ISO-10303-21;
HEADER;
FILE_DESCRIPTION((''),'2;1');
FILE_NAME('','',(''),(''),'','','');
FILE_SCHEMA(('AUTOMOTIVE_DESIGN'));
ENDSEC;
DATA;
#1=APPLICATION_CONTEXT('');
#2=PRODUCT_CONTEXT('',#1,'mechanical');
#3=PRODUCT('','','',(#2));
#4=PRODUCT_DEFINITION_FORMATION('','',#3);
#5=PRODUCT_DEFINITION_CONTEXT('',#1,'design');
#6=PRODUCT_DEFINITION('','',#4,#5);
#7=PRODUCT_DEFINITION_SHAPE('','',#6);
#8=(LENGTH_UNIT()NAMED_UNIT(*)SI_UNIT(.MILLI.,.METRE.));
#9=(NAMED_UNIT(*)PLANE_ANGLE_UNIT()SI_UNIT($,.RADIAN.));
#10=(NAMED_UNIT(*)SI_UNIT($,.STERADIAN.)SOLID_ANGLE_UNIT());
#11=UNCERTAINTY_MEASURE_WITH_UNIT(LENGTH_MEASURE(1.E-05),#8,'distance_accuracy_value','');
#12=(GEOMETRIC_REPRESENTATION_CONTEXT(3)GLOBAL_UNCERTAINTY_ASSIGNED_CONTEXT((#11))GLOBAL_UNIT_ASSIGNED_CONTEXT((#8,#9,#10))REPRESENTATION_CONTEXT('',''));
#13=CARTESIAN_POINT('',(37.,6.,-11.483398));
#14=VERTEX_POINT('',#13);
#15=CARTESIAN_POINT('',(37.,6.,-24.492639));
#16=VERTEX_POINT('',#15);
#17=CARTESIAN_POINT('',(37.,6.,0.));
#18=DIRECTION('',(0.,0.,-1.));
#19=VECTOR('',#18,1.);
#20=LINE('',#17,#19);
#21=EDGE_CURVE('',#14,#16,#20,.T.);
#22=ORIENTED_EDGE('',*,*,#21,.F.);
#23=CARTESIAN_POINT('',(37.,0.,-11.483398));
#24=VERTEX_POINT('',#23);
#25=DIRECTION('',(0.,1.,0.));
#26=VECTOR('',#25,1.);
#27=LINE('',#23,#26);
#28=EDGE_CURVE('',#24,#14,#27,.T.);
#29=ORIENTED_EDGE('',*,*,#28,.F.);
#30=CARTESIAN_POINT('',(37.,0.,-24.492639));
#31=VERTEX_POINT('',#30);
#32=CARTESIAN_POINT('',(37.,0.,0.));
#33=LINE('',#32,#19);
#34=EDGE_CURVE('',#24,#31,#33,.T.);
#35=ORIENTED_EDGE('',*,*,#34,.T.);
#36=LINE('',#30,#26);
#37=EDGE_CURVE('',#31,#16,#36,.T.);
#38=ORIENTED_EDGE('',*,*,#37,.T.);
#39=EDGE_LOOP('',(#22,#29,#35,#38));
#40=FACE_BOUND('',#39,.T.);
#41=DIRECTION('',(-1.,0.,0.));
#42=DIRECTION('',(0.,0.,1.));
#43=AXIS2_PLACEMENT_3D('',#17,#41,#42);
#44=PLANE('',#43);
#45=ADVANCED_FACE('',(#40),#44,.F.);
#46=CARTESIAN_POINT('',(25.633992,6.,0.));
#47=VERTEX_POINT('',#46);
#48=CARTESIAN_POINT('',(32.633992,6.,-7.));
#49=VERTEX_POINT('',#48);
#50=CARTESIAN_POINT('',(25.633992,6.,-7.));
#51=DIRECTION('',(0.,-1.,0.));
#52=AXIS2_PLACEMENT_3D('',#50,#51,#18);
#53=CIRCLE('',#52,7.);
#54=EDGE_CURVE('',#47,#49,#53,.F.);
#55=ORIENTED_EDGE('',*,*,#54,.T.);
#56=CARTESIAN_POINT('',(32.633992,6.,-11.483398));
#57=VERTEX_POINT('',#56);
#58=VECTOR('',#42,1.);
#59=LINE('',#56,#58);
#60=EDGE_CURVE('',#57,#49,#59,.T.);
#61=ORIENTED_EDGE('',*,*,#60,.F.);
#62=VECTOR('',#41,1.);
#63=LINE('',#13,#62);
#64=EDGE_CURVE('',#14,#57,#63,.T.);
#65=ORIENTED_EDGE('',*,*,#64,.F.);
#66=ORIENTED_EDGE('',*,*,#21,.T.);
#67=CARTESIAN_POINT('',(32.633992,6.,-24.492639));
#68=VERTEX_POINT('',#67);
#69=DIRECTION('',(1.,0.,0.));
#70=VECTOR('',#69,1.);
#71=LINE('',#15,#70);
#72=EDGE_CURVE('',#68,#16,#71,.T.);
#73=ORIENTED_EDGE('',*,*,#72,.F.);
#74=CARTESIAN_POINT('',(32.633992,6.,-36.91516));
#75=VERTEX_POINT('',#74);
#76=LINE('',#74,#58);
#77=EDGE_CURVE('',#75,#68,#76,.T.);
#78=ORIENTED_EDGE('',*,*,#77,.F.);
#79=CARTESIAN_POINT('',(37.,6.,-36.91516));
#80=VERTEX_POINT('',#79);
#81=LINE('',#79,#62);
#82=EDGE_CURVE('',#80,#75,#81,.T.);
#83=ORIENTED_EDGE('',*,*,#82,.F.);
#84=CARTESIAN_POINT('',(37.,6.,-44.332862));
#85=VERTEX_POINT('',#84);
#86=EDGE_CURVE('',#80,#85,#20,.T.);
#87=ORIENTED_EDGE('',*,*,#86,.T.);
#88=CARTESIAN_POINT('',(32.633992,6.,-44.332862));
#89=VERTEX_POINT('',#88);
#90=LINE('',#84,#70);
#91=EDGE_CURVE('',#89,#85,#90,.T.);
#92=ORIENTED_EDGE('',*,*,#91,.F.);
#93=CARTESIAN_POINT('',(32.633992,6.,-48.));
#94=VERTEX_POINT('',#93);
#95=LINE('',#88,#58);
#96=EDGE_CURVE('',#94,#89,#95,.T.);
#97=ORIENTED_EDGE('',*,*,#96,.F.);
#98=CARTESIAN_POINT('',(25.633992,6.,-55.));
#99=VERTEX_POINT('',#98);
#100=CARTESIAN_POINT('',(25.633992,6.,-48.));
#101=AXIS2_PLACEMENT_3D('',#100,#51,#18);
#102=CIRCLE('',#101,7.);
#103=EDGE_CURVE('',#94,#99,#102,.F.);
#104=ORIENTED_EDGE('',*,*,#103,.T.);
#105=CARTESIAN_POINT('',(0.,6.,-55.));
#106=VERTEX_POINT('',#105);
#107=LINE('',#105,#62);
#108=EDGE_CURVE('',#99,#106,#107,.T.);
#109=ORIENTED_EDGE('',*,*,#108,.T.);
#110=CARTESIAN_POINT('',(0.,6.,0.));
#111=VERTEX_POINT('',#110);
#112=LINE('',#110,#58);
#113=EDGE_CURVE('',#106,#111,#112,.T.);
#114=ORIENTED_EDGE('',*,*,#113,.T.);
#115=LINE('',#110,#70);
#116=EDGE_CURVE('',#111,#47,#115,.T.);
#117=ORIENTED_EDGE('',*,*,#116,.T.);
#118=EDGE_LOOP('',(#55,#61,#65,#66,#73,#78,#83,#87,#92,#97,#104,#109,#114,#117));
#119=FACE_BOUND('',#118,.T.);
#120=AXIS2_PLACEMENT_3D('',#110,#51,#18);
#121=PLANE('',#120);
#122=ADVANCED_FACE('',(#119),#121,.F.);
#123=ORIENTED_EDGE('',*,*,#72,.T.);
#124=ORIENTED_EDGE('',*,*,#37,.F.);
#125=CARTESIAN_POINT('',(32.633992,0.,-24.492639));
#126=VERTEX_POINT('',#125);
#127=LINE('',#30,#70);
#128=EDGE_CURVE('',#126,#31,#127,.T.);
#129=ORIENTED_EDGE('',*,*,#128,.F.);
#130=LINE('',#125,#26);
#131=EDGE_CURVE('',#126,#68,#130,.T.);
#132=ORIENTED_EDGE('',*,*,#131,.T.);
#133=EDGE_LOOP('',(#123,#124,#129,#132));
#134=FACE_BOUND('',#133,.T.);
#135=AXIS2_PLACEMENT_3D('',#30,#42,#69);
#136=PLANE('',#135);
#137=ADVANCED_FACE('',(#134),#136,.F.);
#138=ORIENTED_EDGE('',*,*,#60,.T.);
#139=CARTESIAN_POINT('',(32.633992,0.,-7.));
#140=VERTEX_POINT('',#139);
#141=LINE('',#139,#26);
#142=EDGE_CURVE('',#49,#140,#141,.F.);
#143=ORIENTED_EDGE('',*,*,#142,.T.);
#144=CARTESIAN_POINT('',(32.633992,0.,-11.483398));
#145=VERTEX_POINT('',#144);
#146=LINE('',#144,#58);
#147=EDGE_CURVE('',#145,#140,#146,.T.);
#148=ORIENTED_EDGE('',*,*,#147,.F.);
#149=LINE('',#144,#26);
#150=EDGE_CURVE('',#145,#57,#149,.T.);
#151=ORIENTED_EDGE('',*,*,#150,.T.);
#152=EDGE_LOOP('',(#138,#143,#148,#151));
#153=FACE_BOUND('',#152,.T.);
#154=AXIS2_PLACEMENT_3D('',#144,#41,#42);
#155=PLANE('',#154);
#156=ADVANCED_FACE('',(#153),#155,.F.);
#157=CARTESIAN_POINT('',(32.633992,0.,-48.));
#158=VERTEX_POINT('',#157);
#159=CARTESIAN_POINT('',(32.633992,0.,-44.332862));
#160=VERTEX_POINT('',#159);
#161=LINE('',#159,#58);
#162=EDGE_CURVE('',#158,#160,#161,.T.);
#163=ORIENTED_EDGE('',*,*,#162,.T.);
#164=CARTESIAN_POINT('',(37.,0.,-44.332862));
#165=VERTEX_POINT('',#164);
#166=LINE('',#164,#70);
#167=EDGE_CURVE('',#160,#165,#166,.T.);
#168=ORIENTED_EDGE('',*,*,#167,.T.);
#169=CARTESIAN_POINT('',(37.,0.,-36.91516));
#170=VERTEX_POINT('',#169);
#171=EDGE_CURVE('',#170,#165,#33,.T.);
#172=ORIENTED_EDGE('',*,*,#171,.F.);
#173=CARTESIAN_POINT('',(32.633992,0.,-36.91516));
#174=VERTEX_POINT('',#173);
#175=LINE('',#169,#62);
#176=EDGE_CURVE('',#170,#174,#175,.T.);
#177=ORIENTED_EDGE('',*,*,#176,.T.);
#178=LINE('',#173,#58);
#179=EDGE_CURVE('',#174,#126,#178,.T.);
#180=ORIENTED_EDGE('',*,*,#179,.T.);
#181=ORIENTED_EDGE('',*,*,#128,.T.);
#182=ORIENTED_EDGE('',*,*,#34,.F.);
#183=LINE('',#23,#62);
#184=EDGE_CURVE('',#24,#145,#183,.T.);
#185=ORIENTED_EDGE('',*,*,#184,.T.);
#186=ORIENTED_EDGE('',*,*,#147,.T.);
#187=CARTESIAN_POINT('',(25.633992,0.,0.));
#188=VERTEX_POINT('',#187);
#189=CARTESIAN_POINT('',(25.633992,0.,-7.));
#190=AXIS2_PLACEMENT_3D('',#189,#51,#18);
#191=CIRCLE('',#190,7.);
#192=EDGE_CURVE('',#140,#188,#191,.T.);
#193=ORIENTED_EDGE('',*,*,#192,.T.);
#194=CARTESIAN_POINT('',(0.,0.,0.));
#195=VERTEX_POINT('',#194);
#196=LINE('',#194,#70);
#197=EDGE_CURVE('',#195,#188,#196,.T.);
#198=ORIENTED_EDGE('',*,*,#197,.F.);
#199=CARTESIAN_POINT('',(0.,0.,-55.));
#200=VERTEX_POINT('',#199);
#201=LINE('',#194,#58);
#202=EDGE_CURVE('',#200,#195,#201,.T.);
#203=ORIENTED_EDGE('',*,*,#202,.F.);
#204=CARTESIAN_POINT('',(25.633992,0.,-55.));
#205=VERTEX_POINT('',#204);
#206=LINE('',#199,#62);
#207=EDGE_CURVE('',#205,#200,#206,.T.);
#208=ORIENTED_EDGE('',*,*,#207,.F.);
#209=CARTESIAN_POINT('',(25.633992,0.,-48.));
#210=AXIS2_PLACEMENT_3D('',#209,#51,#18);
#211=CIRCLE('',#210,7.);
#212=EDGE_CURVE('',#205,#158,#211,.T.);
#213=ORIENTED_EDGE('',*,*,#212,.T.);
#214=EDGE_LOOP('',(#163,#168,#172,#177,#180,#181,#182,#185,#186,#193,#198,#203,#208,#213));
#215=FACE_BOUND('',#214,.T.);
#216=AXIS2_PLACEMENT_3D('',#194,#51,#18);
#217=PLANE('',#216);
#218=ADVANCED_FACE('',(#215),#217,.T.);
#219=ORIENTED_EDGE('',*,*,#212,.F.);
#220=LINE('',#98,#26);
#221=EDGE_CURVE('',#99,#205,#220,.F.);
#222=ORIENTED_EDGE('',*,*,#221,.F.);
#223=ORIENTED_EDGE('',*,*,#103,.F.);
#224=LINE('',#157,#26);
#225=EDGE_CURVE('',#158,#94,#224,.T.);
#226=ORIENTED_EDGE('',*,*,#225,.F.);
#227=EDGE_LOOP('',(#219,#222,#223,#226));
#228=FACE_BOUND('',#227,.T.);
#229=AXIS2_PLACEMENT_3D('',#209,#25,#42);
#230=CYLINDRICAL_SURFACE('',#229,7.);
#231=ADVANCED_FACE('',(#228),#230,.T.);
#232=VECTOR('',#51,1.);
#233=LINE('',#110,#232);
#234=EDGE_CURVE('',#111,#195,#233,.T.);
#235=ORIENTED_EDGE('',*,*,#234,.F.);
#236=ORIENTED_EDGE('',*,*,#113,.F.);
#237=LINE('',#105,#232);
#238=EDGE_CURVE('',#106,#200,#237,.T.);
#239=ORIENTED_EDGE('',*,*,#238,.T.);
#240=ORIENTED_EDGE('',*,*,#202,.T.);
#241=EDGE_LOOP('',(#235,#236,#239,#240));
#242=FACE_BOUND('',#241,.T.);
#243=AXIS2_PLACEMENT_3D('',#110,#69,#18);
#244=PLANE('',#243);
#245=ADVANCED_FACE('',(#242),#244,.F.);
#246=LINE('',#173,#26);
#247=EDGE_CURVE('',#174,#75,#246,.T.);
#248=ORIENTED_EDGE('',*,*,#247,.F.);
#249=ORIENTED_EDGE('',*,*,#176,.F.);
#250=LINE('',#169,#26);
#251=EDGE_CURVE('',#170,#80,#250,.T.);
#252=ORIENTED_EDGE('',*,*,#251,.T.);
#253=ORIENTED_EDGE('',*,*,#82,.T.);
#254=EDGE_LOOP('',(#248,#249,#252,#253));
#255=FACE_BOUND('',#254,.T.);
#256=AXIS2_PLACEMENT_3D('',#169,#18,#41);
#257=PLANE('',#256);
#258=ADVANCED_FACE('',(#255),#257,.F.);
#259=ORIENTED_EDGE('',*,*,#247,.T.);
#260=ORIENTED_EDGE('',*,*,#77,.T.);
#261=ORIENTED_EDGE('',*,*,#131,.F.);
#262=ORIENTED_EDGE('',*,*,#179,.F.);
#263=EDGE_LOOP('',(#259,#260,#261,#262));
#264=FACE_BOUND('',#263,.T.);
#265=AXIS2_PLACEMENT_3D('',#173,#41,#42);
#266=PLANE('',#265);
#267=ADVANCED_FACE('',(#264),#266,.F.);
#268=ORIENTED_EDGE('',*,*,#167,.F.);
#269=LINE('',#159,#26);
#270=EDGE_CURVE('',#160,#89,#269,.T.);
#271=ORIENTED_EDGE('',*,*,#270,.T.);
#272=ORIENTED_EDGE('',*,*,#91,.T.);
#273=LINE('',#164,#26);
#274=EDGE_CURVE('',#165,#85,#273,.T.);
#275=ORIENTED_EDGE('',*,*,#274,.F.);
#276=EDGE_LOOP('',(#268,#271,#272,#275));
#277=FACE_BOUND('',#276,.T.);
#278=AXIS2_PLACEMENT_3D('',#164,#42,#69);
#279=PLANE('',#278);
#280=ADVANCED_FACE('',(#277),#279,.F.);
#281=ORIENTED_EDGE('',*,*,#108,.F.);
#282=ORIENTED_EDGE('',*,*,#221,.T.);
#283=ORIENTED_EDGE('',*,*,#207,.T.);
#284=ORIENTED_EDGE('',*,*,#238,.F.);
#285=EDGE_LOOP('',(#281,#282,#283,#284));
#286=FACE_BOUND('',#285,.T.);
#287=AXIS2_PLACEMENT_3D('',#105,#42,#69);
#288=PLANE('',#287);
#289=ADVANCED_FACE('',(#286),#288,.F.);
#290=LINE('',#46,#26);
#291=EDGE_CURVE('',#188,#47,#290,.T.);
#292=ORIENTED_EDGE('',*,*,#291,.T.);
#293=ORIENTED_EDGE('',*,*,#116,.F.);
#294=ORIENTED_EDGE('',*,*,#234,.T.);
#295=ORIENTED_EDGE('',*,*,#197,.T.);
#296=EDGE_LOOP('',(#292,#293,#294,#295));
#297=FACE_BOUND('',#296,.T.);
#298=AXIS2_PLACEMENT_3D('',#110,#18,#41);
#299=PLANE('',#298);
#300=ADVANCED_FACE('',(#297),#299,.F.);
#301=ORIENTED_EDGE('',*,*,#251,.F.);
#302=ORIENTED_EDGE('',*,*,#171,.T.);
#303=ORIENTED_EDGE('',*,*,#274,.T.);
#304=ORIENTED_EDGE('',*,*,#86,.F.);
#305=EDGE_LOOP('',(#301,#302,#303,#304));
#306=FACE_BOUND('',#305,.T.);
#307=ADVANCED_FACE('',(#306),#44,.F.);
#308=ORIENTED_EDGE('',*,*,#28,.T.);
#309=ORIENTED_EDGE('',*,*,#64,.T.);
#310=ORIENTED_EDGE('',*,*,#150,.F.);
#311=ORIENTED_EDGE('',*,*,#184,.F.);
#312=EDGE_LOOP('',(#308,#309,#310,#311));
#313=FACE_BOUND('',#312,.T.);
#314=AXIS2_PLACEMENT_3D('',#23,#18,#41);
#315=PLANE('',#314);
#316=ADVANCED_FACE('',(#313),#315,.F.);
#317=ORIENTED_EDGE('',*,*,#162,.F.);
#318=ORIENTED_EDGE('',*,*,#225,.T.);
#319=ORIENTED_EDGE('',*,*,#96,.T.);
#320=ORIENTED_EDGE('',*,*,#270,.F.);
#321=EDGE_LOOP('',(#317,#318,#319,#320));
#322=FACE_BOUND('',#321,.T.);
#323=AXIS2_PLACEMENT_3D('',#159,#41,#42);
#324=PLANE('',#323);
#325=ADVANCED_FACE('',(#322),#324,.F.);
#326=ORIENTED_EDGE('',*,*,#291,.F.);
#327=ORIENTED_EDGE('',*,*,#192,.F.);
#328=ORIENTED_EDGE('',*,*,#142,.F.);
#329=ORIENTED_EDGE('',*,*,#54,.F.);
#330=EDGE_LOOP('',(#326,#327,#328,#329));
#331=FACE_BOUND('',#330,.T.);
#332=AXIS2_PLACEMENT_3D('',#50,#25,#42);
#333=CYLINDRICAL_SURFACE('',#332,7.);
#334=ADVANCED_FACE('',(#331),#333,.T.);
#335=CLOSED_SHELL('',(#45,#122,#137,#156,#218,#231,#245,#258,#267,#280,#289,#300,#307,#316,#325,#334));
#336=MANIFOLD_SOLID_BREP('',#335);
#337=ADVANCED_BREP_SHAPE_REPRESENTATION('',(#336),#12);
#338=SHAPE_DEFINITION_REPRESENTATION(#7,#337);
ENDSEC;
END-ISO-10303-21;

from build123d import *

# Parameters (mm, degrees)
SKETCH1_W           = 37
SKETCH1_H           = 55
BOSS_EXTRUDE1_DEPTH = 6
SKETCH2_W           = 4.36600783
SKETCH2_H           = 10.66713821
SKETCH2_H_2         = 12.422520393
SKETCH2_H_3         = 11.48339845
CUT_EXTRUDE1_DEPTH  = 67.558245169
FILLET1_R           = 7


with BuildPart() as part:
    # Sketch1 → Boss-Extrude1 (new body)
    with BuildSketch(Plane(origin=(0, 0, 0), x_dir=(1, 0, 0), z_dir=(0, 1, 0))):
        with Locations((18.5, 27.5)):
            Rectangle(SKETCH1_W, SKETCH1_H)
    extrude(amount=BOSS_EXTRUDE1_DEPTH)

    # Sketch2 → Cut-Extrude1 (cut, through all)
    with BuildSketch(Plane(origin=(0, 6, 0), x_dir=(1, 0, 0), z_dir=(0, 1, 0))):
        with Locations((34.816996085, 49.666430895)):
            Rectangle(SKETCH2_W, SKETCH2_H)
        with Locations((34.816996085, 30.703899365)):
            Rectangle(SKETCH2_W, SKETCH2_H_2)
        with Locations((34.816996085, 5.741699225)):
            Rectangle(SKETCH2_W, SKETCH2_H_3)
    extrude(amount=-CUT_EXTRUDE1_DEPTH, mode=Mode.SUBTRACT)

    # Fillet1
    fillet1_edges = [part.edges().sort_by_distance(p)[0] for p in [
        (32.63399217, 3, -55),
        (32.63399217, 3, 0),
    ]]
    fillet(fillet1_edges, radius=FILLET1_R)


solid = part.part
